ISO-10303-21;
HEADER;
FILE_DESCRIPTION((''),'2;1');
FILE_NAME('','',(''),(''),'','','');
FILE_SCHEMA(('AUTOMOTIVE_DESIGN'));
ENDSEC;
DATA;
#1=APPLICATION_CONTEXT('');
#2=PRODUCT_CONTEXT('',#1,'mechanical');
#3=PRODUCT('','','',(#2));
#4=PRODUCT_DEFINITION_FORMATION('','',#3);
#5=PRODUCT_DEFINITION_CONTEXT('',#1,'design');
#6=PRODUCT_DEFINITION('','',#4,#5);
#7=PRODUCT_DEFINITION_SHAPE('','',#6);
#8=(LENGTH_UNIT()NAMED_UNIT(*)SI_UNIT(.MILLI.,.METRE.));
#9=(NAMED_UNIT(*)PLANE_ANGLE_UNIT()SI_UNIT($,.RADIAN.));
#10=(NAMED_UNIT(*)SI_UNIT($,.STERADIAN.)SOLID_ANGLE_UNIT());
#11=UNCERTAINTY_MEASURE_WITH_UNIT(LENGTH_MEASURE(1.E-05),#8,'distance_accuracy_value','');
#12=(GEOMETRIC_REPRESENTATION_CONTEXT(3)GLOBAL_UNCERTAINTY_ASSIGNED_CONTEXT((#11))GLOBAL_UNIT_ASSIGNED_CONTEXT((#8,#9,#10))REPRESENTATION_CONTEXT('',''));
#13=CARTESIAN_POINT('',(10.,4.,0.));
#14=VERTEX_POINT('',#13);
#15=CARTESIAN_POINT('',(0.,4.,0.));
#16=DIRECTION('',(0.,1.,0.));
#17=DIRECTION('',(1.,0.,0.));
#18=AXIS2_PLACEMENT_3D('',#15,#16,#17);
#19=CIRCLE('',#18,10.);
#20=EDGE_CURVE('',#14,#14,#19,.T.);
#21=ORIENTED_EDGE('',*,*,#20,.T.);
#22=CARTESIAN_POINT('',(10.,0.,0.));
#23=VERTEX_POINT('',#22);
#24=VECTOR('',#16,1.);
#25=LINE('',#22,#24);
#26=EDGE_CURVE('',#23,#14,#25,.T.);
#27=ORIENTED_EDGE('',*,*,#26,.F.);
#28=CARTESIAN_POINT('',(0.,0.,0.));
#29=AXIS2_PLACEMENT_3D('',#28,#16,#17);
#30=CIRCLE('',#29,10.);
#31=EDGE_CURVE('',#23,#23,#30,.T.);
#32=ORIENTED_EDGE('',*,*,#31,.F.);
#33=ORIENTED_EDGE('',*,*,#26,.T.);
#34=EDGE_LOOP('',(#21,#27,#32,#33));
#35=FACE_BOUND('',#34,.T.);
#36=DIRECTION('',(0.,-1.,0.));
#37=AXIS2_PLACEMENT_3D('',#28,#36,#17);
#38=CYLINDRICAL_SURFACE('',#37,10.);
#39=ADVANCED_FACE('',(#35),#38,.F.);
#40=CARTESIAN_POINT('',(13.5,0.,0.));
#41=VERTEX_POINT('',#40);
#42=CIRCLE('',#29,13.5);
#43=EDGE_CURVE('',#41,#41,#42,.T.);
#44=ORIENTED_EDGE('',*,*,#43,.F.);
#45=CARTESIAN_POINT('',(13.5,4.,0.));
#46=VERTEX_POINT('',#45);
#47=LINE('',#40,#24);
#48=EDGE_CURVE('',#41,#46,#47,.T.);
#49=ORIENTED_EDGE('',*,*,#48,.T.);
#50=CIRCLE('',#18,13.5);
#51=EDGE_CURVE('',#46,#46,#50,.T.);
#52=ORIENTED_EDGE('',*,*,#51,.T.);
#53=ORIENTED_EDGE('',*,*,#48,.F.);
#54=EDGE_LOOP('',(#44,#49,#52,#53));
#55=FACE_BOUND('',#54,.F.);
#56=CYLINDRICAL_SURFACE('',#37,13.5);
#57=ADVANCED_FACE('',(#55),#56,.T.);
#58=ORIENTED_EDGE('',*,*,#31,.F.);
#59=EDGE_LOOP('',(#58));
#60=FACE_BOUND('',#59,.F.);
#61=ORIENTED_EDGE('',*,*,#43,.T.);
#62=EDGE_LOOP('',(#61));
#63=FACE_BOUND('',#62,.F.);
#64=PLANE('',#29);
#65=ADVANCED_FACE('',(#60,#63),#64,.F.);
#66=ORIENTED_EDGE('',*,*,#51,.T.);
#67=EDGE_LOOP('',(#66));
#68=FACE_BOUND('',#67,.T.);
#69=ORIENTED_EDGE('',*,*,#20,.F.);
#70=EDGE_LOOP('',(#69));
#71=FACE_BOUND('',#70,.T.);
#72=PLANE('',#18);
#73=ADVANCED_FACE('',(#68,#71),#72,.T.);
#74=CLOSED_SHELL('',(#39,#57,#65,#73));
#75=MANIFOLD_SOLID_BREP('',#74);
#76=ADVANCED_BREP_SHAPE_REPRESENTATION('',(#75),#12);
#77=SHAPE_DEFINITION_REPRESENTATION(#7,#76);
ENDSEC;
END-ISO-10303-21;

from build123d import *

# Parameters (mm, degrees)
SKETCH1_R           = 13.5
SKETCH1_R_2         = 10
BOSS_EXTRUDE1_DEPTH = 4


with BuildPart() as part:
    # Sketch1 → Boss-Extrude1 (new body)
    with BuildSketch(Plane(origin=(0, 0, 0), x_dir=(1, 0, 0), z_dir=(0, 1, 0))):
        Circle(SKETCH1_R)
        Circle(SKETCH1_R_2, mode=Mode.SUBTRACT)
    extrude(amount=BOSS_EXTRUDE1_DEPTH)


solid = part.part
